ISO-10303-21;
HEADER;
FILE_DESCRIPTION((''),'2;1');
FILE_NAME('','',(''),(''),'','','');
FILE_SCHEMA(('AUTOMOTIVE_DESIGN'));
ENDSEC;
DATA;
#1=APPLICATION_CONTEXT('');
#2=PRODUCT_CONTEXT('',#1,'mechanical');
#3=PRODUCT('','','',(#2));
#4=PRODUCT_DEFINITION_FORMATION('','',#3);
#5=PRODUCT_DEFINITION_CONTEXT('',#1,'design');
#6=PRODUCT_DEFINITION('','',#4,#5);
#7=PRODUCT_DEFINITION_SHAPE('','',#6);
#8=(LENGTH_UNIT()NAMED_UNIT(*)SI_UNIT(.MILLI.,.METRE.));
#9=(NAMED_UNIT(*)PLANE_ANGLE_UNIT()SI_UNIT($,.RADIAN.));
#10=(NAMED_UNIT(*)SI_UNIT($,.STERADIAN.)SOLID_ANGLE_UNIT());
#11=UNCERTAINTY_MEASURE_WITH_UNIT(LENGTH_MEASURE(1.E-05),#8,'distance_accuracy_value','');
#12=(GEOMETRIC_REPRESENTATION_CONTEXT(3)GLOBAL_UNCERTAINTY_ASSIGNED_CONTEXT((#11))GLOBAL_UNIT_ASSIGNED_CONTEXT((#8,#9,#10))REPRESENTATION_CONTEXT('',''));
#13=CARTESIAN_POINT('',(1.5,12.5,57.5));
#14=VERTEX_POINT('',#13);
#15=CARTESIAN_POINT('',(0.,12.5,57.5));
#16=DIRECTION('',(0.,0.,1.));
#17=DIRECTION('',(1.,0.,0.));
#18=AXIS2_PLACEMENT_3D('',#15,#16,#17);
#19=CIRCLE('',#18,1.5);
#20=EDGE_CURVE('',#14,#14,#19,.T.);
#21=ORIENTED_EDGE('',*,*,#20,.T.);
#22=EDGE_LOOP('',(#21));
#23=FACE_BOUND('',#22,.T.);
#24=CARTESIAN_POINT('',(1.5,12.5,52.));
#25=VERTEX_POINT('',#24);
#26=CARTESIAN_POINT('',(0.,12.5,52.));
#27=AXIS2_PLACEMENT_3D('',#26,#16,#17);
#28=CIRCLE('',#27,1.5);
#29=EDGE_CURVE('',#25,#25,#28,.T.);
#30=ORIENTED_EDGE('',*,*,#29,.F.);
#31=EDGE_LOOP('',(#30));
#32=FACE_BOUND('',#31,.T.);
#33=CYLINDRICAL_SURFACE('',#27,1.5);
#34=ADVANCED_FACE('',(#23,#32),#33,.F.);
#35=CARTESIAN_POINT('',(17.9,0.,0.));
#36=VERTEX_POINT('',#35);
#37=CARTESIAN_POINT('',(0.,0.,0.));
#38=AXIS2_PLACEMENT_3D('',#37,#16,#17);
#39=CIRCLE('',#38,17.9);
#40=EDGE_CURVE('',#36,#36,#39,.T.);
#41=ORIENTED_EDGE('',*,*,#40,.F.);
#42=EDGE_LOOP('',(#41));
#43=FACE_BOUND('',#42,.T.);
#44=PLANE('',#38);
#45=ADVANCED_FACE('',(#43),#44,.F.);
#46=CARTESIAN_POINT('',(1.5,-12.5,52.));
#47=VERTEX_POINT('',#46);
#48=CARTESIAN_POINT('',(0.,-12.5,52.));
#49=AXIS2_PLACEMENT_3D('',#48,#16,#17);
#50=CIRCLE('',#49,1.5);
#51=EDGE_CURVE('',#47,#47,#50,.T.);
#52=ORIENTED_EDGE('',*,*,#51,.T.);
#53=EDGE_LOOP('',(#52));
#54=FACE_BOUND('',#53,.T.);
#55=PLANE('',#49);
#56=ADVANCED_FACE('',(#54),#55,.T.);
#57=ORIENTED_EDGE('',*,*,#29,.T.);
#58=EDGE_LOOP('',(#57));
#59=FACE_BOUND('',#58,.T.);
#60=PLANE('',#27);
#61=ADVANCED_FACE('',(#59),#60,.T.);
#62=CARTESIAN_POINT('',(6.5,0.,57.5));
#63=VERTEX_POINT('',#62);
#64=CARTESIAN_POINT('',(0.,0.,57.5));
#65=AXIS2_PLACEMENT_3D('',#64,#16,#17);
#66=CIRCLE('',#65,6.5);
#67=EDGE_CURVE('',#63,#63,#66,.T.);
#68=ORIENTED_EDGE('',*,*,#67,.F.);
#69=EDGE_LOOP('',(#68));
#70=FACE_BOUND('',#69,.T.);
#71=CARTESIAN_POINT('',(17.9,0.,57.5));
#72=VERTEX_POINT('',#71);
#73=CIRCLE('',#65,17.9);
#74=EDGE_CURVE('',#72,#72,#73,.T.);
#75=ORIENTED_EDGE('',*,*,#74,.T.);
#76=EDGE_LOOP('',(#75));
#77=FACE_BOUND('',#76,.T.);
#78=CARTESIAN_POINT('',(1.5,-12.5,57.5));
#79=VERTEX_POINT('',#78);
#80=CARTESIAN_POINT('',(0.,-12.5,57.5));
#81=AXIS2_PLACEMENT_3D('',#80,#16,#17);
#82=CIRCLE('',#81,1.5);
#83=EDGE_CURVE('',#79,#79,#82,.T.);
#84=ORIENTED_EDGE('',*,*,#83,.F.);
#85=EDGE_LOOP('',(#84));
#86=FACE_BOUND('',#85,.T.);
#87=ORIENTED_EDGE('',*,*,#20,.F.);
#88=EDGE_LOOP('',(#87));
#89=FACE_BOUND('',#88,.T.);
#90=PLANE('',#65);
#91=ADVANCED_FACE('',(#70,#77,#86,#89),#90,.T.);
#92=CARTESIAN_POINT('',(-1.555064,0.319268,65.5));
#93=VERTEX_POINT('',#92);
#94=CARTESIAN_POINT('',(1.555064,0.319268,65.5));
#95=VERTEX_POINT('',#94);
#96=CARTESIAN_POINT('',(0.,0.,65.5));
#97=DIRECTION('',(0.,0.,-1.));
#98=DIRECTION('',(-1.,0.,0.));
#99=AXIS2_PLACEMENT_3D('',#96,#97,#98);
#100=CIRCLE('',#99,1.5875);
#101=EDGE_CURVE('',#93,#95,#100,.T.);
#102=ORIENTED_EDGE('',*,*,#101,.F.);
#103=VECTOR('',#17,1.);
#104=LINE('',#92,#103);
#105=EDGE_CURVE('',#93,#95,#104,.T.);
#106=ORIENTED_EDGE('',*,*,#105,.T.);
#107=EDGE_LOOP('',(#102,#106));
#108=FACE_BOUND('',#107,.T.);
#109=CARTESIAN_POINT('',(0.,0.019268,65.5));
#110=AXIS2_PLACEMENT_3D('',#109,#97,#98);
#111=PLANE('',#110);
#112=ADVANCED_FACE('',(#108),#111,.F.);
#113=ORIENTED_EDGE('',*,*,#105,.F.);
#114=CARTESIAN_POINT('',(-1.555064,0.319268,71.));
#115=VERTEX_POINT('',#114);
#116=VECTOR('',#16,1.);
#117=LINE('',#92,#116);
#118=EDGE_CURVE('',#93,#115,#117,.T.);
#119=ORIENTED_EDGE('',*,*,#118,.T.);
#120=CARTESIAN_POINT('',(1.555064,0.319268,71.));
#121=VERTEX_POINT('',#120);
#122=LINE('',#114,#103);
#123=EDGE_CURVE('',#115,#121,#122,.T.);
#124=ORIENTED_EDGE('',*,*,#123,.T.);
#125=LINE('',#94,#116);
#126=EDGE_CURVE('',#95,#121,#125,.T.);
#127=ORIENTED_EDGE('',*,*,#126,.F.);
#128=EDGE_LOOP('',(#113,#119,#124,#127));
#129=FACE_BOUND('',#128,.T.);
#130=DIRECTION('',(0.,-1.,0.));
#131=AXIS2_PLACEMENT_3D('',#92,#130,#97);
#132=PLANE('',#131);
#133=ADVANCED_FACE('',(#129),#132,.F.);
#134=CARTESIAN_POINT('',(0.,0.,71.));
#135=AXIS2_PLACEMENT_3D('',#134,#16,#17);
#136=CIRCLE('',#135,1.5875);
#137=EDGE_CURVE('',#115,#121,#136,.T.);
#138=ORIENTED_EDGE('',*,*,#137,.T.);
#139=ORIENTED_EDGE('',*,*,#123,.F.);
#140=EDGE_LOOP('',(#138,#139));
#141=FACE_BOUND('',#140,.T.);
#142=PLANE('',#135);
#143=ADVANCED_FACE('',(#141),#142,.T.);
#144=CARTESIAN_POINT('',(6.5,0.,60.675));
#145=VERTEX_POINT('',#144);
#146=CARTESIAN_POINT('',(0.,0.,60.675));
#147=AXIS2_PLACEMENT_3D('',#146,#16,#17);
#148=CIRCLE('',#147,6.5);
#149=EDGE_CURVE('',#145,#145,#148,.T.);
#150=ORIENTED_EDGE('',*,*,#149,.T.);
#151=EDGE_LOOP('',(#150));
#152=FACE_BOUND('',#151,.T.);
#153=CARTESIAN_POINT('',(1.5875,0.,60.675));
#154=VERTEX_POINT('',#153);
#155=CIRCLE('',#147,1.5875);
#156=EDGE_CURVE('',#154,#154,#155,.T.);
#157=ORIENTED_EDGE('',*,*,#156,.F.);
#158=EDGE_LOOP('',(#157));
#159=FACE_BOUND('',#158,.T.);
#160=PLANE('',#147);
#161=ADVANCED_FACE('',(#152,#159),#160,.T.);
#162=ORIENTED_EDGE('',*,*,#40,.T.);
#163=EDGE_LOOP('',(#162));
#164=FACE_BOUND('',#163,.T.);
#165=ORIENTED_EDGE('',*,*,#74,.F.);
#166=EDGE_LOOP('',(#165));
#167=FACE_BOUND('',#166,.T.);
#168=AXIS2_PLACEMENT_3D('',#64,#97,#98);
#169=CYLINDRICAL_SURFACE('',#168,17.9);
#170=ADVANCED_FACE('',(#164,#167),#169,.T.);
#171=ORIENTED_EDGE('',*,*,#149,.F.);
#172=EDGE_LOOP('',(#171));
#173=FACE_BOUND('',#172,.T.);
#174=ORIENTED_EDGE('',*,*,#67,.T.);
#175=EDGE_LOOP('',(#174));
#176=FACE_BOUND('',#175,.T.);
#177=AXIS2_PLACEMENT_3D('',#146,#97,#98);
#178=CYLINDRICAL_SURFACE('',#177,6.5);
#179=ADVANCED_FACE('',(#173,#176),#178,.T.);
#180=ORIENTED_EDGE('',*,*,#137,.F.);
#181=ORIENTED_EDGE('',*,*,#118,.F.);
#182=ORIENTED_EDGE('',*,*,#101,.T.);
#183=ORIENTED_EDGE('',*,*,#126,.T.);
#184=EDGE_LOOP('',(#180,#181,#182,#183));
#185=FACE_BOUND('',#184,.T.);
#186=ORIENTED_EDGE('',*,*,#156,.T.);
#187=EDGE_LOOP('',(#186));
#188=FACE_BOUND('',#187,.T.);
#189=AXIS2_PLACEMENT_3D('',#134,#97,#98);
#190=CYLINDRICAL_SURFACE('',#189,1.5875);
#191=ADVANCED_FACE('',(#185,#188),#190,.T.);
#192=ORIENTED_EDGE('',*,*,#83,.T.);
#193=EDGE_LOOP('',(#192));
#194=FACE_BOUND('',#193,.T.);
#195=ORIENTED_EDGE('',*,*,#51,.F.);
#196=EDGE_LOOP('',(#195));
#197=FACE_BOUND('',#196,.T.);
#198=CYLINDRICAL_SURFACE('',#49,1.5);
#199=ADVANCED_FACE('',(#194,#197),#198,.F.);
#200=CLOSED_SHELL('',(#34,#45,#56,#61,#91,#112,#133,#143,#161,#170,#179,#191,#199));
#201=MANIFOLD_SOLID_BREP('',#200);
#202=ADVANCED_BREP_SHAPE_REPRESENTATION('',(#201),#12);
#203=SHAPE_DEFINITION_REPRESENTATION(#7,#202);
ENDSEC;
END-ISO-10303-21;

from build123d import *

# Parameters (mm, degrees)
SKETCH1_R           = 17.9
BOSS_EXTRUDE1_DEPTH = 57.5
SKETCH2_R           = 6.5
BOSS_EXTRUDE2_DEPTH = 3.175
SKETCH3_R           = 1.5875
BOSS_EXTRUDE3_DEPTH = 10.325
CUT_EXTRUDE1_DEPTH  = 5.5
SKETCH5_R           = 1.5
CUT_EXTRUDE2_DEPTH  = 5.5


with BuildPart() as part:
    # Sketch1 → Boss-Extrude1 (new body)
    with BuildSketch(Plane.XY):
        Circle(SKETCH1_R)
    extrude(amount=BOSS_EXTRUDE1_DEPTH)

    # Sketch2 → Boss-Extrude2 (add)
    with BuildSketch(Plane.XY.offset(57.5)):
        Circle(SKETCH2_R)
    extrude(amount=BOSS_EXTRUDE2_DEPTH)

    # Sketch3 → Boss-Extrude3 (add)
    with BuildSketch(Plane.XY.offset(60.675)):
        with Locations(Location((0, 0, 0), (0, 0, 180))):
            Circle(SKETCH3_R)
    extrude(amount=BOSS_EXTRUDE3_DEPTH)

    # Sketch4 → Cut-Extrude1 (cut)
    with BuildSketch(Plane.XY.offset(71)):
        with BuildLine():
            Line((-1.555064123, 0.319267636), (1.555064123, 0.319267636))
            ThreePointArc((1.555064123, 0.319267636), (0, 1.603005123), (-1.555064123, 0.319267636))
        make_face()
    extrude(amount=-CUT_EXTRUDE1_DEPTH, mode=Mode.SUBTRACT)

    # Sketch5 → Cut-Extrude2 (cut)
    with BuildSketch(Plane.XY.offset(57.5)):
        with Locations((0, 12.5)):
            Circle(SKETCH5_R)
        with Locations((0, -12.5)):
            Circle(SKETCH5_R)
    extrude(amount=-CUT_EXTRUDE2_DEPTH, mode=Mode.SUBTRACT)


solid = part.part
